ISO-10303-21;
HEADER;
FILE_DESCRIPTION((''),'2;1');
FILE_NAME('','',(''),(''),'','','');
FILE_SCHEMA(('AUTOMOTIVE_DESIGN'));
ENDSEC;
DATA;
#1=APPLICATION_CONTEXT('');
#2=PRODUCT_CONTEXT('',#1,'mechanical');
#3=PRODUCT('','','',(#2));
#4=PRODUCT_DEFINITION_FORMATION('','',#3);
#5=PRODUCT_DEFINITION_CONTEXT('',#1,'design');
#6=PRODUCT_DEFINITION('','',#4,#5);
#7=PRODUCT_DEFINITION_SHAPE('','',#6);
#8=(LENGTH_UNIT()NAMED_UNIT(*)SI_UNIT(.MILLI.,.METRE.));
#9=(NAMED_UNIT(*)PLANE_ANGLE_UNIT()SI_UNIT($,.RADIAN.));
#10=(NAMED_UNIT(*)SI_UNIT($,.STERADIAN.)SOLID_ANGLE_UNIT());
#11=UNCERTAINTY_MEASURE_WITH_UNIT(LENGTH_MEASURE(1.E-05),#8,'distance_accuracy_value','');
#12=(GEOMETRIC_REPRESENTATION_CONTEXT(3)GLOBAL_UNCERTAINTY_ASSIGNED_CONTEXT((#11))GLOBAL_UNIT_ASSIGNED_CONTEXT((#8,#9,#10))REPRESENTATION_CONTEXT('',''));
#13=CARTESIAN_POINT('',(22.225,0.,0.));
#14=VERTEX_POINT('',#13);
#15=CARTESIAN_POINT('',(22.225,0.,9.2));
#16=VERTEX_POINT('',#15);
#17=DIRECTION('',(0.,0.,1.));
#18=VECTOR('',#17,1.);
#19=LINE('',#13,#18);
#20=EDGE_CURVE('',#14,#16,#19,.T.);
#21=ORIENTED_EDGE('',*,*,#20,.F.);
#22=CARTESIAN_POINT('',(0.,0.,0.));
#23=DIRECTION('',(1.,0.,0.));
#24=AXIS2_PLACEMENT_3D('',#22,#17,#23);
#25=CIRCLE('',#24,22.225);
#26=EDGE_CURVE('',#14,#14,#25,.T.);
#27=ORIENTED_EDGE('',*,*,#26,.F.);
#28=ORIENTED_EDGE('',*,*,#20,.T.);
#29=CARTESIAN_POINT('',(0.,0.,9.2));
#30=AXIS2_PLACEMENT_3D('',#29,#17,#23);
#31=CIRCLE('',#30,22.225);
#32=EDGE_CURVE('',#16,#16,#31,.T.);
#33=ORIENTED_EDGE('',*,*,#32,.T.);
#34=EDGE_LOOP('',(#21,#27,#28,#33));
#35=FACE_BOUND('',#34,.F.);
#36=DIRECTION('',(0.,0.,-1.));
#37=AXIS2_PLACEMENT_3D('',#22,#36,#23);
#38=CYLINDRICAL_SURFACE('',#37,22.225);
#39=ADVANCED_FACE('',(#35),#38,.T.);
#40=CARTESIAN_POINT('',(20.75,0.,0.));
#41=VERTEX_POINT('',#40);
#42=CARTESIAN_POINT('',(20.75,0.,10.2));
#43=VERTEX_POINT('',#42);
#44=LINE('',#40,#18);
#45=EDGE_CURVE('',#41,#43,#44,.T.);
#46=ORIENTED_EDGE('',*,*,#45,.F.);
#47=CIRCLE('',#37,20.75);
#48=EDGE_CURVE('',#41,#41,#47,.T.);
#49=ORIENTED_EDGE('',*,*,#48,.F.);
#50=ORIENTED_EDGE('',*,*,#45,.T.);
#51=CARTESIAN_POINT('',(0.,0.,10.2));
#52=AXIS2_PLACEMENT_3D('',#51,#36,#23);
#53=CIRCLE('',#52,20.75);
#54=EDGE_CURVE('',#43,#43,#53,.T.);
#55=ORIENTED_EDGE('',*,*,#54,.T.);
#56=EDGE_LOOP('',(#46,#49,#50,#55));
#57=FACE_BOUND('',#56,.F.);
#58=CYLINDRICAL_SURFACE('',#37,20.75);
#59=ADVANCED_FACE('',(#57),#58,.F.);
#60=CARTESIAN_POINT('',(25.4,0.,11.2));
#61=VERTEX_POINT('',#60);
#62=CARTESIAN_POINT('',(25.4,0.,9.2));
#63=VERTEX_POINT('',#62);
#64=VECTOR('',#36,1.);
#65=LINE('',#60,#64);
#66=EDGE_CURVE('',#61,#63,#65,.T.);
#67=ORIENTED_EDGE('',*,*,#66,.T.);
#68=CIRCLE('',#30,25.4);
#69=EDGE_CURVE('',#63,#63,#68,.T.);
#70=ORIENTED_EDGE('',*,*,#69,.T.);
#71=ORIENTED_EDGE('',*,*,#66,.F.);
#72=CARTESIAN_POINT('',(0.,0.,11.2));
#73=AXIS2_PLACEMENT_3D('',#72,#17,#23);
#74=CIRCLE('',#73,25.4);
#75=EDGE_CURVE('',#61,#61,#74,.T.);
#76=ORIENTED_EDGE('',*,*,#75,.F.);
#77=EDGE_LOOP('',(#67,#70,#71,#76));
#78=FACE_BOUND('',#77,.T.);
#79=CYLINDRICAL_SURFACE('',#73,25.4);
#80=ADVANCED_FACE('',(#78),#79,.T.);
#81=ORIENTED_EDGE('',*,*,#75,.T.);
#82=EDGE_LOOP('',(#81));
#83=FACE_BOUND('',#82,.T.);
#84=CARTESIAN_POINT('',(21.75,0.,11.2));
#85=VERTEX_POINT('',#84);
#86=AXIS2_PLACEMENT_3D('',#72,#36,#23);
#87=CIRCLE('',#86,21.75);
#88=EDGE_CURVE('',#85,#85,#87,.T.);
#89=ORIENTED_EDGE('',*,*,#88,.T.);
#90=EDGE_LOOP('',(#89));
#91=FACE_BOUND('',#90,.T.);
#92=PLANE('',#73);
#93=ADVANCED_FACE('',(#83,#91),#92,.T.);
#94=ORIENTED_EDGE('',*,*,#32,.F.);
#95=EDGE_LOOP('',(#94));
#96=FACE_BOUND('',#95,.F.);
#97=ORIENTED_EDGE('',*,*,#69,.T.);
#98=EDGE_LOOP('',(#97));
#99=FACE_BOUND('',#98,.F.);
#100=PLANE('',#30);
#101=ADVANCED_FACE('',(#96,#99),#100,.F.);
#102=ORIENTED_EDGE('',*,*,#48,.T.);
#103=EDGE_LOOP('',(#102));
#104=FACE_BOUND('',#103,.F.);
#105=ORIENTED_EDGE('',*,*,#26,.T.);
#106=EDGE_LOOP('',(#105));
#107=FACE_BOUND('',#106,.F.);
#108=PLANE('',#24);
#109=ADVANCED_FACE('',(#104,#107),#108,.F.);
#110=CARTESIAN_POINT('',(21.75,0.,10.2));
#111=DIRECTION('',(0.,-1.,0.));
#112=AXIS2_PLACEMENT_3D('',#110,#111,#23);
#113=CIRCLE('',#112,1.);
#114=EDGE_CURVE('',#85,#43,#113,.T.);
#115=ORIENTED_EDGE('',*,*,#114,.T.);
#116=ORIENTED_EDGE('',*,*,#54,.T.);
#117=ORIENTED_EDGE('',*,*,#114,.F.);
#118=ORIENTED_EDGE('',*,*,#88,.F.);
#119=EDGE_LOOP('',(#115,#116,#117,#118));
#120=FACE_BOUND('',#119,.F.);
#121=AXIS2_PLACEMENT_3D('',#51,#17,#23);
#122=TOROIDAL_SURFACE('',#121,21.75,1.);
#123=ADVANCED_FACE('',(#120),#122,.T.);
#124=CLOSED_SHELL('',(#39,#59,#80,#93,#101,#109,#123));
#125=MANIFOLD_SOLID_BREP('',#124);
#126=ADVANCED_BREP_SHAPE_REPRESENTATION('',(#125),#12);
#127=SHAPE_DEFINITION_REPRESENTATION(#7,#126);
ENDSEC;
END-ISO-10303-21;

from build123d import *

# Parameters (mm, degrees)
F0_R     = 22.225
F1_DEPTH = 11.2
F2_R     = 25.4
F2_R_2   = 22.225
F3_DEPTH = 2
F4_R     = 20.75
F5_DEPTH = 25
F6_R     = 1


with BuildPart() as f1:
    # F0 (on Top) → F1 (new body)
    with BuildSketch(Plane.XY):
        Circle(F0_R)
    extrude(amount=F1_DEPTH)

    # F2 (on face) → F3 (join)
    with BuildSketch(Plane.XY.offset(11.2)):
        Circle(F2_R)
        Circle(F2_R_2, mode=Mode.SUBTRACT)
    extrude(amount=-F3_DEPTH)

    # F4 (on face) → F5 (cut)
    with BuildSketch(Plane(origin=(0, 0, 0), x_dir=(1, 0, 0), z_dir=(0, 0, -1))):
        Circle(F4_R)
    extrude(amount=-F5_DEPTH, mode=Mode.SUBTRACT)

    # F6
    f6_edges = [f1.edges().sort_by_distance(p)[0] for p in [
        (-20.75, 0, 11.2),
    ]]
    fillet(f6_edges, radius=F6_R)


solid = f1.part
